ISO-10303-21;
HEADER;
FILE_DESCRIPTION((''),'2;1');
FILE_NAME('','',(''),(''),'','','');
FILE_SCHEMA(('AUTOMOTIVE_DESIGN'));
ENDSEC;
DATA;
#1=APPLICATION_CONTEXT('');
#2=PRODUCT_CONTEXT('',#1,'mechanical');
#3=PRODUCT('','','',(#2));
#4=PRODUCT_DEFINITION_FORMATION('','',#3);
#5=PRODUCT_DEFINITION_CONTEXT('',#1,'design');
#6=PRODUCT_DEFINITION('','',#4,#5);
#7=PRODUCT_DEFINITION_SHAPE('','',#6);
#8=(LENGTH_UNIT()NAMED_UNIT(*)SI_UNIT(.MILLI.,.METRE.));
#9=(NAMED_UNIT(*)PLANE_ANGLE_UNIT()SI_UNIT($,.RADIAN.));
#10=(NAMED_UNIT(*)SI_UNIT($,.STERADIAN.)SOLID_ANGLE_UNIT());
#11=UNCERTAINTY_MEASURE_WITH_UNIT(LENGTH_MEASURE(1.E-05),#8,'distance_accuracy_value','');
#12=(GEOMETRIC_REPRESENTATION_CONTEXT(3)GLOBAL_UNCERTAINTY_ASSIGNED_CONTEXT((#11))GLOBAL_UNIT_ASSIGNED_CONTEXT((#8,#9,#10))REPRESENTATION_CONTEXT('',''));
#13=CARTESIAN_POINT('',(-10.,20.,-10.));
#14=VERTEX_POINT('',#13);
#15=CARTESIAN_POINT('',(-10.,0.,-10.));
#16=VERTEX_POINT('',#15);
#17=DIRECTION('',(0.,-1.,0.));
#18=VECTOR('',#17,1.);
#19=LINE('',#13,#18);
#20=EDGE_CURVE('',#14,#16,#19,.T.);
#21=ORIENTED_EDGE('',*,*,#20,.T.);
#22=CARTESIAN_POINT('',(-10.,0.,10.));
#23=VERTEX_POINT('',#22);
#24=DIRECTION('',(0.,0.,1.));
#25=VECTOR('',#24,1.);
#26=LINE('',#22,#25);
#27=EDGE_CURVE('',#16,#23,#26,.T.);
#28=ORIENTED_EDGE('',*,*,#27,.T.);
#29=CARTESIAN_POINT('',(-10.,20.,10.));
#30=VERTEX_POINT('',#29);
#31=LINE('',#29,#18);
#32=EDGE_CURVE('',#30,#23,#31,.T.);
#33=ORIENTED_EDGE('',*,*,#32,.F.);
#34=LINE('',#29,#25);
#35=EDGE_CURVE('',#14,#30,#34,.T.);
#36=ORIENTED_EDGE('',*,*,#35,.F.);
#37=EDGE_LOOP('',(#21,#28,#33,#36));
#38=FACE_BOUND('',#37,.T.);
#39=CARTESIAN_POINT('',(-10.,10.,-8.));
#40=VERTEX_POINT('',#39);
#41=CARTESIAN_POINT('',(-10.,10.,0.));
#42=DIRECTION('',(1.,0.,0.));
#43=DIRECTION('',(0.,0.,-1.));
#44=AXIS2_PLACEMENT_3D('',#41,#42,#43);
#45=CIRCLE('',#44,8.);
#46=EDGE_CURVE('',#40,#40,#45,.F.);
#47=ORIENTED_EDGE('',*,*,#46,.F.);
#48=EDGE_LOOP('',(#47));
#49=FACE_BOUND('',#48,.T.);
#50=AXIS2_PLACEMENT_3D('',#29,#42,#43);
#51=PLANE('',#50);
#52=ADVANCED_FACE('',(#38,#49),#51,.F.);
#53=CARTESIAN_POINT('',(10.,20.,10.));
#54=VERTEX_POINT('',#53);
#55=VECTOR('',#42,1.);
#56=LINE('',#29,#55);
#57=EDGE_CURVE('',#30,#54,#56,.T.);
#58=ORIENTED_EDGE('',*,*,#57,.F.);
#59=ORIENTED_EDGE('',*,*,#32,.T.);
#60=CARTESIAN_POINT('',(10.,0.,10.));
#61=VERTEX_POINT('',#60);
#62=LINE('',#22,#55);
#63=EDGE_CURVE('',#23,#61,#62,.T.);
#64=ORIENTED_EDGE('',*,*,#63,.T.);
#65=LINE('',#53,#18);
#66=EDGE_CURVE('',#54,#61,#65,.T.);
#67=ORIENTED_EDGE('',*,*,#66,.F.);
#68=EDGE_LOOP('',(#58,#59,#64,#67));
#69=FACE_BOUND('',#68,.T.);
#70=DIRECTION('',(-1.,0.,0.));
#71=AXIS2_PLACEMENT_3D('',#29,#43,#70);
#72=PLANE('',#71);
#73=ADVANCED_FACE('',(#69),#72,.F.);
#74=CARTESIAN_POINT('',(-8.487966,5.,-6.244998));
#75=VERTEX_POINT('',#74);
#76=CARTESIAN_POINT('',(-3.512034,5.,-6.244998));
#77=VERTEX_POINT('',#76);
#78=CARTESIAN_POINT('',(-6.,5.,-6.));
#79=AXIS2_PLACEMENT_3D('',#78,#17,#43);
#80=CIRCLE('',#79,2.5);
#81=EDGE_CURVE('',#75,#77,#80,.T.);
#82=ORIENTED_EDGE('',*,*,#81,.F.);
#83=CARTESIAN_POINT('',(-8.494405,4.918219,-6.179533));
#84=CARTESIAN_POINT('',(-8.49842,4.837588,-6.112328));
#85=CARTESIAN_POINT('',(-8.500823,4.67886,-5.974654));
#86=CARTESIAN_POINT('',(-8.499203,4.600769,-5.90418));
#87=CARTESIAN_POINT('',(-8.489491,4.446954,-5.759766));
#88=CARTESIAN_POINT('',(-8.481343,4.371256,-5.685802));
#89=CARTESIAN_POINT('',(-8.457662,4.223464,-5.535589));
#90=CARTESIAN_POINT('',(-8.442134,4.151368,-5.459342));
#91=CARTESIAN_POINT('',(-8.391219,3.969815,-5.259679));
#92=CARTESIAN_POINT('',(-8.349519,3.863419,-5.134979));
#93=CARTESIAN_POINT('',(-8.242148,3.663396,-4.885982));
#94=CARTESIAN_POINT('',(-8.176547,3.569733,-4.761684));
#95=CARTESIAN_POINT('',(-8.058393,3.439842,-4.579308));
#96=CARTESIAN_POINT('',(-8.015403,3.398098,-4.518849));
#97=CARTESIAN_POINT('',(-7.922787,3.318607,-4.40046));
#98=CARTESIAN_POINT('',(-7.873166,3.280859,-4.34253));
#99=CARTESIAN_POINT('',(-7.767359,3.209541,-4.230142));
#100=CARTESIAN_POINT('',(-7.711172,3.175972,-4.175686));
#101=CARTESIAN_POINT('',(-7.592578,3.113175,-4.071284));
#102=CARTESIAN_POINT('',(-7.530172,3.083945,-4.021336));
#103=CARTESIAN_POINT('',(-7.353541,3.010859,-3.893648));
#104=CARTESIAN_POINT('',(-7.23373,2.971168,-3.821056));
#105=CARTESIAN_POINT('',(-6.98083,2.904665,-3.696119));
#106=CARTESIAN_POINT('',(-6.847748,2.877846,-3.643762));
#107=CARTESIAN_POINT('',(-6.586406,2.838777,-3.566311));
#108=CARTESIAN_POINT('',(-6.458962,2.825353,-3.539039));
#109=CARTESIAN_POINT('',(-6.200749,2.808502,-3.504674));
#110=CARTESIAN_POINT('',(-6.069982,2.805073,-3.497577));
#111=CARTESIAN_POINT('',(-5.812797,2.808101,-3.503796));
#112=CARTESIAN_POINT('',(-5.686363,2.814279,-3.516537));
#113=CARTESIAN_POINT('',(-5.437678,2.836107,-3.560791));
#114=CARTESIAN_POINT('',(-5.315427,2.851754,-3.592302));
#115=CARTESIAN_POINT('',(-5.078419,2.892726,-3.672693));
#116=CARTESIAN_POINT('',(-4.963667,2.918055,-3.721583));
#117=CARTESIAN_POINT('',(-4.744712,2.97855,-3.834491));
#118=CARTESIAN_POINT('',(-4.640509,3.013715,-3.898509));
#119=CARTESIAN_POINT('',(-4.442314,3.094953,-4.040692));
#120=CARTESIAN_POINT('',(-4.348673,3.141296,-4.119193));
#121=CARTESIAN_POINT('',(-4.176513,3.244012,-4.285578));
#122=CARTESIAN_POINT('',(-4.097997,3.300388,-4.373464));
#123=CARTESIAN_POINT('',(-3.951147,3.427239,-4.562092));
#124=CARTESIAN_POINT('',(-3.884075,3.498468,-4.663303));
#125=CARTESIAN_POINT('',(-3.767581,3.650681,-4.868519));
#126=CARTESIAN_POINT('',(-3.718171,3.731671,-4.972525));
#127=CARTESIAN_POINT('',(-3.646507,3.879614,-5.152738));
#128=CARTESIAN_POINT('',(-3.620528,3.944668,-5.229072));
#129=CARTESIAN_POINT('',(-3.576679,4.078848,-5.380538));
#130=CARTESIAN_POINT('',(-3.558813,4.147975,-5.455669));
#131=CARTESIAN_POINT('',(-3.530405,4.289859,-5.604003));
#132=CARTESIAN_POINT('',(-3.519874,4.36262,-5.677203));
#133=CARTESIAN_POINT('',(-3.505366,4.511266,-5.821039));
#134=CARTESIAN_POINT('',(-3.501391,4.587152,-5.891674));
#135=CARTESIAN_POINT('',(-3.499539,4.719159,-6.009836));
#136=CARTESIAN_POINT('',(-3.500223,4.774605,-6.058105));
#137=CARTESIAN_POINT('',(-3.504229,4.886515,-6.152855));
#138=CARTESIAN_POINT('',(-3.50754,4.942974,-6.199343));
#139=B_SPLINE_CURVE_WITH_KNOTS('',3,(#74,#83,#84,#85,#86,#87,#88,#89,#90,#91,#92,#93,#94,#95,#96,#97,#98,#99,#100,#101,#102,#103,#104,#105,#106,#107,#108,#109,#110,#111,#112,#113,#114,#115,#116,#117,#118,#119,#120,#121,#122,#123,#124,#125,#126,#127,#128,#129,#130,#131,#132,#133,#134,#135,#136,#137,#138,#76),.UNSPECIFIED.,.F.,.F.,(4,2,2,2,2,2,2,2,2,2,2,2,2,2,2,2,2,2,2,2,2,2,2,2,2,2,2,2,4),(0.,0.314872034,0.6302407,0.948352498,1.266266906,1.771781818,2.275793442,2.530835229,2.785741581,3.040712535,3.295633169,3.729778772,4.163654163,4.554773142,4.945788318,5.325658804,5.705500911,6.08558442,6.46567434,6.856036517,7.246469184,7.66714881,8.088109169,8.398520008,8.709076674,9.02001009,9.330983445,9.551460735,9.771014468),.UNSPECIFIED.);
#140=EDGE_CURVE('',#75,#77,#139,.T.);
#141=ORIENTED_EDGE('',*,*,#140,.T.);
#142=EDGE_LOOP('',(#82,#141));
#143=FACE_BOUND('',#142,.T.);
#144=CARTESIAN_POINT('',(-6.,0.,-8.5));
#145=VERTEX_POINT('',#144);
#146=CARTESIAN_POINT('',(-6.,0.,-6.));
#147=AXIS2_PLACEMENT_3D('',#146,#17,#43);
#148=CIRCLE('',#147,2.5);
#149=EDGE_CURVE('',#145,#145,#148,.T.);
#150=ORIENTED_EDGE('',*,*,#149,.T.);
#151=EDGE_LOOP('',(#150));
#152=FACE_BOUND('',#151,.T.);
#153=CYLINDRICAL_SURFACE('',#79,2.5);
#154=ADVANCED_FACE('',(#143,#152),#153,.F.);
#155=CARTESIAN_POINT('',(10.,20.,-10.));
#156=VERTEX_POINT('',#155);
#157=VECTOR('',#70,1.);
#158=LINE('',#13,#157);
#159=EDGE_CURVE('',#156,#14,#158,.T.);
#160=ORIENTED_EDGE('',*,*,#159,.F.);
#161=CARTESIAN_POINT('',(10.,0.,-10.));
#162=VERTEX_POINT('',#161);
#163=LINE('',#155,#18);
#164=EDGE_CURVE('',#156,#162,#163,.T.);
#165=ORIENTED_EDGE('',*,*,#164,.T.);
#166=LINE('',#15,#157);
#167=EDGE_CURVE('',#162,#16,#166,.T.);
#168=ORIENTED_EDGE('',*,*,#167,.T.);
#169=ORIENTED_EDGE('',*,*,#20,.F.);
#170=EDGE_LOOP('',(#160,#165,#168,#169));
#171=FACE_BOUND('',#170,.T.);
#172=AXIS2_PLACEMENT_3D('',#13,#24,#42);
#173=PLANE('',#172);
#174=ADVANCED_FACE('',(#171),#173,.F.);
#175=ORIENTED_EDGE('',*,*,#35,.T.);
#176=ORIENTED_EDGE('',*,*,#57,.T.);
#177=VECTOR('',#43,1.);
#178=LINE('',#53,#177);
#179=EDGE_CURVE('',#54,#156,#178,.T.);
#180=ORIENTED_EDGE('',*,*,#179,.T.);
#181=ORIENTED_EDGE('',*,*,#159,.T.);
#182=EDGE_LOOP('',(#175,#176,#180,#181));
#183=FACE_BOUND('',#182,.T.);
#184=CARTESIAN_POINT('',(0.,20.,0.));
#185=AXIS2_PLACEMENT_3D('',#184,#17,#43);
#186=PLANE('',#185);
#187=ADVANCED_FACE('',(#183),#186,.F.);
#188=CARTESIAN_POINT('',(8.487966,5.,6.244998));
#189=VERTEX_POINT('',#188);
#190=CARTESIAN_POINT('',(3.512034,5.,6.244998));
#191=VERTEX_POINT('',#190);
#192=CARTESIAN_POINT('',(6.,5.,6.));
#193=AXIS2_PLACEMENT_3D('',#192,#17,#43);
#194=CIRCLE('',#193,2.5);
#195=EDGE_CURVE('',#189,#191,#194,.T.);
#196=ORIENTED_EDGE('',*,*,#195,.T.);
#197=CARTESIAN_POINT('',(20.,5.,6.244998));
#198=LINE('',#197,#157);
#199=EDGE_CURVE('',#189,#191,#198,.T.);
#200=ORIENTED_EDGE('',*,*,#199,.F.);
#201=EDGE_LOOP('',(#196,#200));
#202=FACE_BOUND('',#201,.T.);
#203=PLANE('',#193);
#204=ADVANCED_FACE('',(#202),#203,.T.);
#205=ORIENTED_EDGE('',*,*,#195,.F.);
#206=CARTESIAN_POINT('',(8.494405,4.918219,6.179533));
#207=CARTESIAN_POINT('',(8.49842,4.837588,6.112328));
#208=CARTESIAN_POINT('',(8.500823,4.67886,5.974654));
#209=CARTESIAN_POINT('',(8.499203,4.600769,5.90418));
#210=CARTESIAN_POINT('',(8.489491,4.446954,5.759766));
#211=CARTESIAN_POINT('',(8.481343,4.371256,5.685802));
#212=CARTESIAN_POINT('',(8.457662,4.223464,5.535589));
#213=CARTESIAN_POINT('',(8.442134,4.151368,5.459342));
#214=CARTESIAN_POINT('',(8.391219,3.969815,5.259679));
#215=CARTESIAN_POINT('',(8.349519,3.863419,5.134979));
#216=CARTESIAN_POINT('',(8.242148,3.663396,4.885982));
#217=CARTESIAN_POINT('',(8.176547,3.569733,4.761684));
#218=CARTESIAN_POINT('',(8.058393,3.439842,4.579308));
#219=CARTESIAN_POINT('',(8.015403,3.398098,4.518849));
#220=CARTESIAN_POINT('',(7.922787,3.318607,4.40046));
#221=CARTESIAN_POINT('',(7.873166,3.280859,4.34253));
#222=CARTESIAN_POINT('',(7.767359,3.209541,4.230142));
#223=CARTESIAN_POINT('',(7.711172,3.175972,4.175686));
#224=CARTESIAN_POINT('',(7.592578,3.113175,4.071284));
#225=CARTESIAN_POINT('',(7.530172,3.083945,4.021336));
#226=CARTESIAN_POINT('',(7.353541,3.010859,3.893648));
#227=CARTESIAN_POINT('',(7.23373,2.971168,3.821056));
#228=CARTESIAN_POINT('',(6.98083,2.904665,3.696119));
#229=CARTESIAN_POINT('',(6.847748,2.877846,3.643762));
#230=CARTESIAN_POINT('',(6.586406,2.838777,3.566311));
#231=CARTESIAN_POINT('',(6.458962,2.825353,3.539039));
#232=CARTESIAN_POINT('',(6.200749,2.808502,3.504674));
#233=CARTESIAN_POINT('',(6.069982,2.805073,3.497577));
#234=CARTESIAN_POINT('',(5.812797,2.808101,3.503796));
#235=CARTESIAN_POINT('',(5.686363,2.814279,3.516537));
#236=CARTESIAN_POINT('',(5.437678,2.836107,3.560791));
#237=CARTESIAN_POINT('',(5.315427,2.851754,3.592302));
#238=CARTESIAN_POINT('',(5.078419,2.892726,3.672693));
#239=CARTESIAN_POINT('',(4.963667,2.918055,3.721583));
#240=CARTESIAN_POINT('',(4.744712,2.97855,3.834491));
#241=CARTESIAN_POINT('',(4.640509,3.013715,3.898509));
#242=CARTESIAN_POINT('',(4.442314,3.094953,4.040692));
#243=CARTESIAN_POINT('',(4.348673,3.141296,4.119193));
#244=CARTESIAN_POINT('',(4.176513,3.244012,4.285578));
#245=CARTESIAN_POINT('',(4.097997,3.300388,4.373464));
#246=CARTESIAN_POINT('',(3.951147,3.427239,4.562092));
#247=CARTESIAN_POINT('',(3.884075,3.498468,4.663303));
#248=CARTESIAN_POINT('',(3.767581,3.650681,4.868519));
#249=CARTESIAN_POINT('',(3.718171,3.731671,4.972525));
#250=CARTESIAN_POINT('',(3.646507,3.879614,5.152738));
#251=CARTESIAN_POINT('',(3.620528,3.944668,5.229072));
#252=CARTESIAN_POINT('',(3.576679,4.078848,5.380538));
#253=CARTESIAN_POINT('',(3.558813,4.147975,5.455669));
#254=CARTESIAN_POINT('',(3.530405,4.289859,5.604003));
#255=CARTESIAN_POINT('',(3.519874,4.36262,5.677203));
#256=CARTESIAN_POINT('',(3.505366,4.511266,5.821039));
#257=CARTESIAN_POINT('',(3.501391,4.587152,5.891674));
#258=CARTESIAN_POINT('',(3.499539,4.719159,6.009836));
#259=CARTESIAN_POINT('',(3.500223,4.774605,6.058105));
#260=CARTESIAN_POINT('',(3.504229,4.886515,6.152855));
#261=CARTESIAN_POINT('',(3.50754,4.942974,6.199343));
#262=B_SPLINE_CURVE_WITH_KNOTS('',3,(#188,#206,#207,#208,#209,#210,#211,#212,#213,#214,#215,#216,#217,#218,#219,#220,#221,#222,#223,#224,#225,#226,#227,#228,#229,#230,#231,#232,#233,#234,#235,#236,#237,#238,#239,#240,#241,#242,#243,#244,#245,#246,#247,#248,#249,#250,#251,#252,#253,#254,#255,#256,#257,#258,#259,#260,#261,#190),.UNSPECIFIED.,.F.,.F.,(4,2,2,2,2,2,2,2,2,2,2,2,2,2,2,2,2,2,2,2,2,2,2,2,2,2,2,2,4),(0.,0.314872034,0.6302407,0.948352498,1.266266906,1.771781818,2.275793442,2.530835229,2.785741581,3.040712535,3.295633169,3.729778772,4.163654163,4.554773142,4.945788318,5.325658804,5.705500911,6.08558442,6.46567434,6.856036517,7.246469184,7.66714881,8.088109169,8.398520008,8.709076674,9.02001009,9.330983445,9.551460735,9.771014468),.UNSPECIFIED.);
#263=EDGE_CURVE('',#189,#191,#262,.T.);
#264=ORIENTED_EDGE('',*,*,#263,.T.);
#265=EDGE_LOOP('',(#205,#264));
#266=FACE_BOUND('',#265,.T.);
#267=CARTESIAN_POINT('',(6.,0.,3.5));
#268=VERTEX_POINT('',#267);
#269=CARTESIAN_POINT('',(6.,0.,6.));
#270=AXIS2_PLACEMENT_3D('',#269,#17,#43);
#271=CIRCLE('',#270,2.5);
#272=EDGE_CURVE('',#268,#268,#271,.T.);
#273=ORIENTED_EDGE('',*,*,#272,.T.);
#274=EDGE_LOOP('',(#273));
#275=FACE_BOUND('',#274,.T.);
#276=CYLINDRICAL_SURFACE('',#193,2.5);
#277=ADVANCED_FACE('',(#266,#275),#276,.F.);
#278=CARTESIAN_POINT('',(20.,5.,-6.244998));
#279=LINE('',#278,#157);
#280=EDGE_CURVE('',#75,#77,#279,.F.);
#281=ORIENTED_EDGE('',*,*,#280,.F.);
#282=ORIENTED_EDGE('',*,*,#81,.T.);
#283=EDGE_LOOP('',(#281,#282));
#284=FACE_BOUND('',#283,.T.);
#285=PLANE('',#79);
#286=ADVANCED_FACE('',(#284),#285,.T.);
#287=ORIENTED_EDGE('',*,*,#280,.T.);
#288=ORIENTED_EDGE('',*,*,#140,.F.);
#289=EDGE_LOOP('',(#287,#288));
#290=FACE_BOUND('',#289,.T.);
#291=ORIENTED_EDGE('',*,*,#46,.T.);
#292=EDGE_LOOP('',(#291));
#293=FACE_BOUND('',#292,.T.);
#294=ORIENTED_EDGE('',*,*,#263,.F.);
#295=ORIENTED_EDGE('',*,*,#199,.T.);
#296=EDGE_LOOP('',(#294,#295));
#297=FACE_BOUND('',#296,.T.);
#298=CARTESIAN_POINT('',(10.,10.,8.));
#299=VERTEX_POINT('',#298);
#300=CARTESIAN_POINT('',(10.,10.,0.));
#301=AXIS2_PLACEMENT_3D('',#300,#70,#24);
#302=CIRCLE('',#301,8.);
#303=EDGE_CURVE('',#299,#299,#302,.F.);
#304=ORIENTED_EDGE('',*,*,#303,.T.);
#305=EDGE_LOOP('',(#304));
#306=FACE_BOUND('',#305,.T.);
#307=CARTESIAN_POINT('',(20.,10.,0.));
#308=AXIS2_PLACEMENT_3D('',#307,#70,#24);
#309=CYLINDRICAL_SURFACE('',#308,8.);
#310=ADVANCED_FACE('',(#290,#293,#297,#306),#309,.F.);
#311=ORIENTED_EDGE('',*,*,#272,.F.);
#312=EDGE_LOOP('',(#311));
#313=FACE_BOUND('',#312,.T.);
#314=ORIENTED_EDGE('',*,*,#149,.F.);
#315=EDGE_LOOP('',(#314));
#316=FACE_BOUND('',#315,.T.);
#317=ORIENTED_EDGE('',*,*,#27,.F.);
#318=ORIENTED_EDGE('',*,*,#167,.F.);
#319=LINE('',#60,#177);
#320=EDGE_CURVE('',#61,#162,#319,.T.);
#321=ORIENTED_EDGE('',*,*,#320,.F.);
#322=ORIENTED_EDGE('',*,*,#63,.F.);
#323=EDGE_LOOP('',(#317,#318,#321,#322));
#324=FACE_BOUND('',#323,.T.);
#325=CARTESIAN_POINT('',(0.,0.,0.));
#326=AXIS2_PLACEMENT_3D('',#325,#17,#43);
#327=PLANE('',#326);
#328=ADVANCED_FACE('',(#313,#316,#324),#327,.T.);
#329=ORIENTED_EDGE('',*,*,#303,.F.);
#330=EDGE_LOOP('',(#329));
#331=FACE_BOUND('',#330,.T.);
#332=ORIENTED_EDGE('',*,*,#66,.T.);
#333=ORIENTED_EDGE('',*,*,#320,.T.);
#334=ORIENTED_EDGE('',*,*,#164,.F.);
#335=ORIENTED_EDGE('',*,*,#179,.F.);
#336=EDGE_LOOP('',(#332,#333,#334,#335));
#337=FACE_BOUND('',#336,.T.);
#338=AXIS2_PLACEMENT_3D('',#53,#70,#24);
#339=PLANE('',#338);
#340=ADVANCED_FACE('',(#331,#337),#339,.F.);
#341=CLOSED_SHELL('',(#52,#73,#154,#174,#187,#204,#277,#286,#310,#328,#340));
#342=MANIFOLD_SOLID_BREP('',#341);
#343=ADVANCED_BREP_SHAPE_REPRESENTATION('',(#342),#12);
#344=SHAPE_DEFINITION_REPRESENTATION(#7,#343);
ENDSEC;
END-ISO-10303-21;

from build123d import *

# Parameters (mm, degrees)
SKETCH1_W               = 20
SKETCH1_H               = 20
BOSS_EXTRUDE1_DEPTH     = 20
SKETCH2_R               = 8
CUT_EXTRUDE1_DEPTH      = 20
CUT_EXTRUDE1_DEPTH_BACK = 20
SKETCH3_R               = 2.5
CUT_EXTRUDE2_DEPTH      = 5


with BuildPart() as part:
    # Sketch1 → Boss-Extrude1 (new body)
    with BuildSketch(Plane(origin=(0, 0, 0), x_dir=(1, 0, 0), z_dir=(0, 1, 0))):
        Rectangle(SKETCH1_W, SKETCH1_H)
    extrude(amount=BOSS_EXTRUDE1_DEPTH)

    # Sketch2 → Cut-Extrude1 (cut, two sides)
    with BuildSketch(Plane(origin=(0, 0, 0), x_dir=(0, 0, -1), z_dir=(1, 0, 0))) as cut_extrude1_sk:
        with Locations((0, 10)):
            Circle(SKETCH2_R)
    extrude(amount=CUT_EXTRUDE1_DEPTH, mode=Mode.SUBTRACT)
    extrude(cut_extrude1_sk.sketch, amount=-CUT_EXTRUDE1_DEPTH_BACK, mode=Mode.SUBTRACT)

    # Sketch3 → Cut-Extrude2 (cut)
    with BuildSketch(Plane(origin=(0, 0, 0), x_dir=(-1, 0, 0), z_dir=(0, -1, 0))):
        with Locations((-6, -6)):
            Circle(SKETCH3_R)
        with Locations((6, 6)):
            Circle(SKETCH3_R)
    extrude(amount=-CUT_EXTRUDE2_DEPTH, mode=Mode.SUBTRACT)


solid = part.part
